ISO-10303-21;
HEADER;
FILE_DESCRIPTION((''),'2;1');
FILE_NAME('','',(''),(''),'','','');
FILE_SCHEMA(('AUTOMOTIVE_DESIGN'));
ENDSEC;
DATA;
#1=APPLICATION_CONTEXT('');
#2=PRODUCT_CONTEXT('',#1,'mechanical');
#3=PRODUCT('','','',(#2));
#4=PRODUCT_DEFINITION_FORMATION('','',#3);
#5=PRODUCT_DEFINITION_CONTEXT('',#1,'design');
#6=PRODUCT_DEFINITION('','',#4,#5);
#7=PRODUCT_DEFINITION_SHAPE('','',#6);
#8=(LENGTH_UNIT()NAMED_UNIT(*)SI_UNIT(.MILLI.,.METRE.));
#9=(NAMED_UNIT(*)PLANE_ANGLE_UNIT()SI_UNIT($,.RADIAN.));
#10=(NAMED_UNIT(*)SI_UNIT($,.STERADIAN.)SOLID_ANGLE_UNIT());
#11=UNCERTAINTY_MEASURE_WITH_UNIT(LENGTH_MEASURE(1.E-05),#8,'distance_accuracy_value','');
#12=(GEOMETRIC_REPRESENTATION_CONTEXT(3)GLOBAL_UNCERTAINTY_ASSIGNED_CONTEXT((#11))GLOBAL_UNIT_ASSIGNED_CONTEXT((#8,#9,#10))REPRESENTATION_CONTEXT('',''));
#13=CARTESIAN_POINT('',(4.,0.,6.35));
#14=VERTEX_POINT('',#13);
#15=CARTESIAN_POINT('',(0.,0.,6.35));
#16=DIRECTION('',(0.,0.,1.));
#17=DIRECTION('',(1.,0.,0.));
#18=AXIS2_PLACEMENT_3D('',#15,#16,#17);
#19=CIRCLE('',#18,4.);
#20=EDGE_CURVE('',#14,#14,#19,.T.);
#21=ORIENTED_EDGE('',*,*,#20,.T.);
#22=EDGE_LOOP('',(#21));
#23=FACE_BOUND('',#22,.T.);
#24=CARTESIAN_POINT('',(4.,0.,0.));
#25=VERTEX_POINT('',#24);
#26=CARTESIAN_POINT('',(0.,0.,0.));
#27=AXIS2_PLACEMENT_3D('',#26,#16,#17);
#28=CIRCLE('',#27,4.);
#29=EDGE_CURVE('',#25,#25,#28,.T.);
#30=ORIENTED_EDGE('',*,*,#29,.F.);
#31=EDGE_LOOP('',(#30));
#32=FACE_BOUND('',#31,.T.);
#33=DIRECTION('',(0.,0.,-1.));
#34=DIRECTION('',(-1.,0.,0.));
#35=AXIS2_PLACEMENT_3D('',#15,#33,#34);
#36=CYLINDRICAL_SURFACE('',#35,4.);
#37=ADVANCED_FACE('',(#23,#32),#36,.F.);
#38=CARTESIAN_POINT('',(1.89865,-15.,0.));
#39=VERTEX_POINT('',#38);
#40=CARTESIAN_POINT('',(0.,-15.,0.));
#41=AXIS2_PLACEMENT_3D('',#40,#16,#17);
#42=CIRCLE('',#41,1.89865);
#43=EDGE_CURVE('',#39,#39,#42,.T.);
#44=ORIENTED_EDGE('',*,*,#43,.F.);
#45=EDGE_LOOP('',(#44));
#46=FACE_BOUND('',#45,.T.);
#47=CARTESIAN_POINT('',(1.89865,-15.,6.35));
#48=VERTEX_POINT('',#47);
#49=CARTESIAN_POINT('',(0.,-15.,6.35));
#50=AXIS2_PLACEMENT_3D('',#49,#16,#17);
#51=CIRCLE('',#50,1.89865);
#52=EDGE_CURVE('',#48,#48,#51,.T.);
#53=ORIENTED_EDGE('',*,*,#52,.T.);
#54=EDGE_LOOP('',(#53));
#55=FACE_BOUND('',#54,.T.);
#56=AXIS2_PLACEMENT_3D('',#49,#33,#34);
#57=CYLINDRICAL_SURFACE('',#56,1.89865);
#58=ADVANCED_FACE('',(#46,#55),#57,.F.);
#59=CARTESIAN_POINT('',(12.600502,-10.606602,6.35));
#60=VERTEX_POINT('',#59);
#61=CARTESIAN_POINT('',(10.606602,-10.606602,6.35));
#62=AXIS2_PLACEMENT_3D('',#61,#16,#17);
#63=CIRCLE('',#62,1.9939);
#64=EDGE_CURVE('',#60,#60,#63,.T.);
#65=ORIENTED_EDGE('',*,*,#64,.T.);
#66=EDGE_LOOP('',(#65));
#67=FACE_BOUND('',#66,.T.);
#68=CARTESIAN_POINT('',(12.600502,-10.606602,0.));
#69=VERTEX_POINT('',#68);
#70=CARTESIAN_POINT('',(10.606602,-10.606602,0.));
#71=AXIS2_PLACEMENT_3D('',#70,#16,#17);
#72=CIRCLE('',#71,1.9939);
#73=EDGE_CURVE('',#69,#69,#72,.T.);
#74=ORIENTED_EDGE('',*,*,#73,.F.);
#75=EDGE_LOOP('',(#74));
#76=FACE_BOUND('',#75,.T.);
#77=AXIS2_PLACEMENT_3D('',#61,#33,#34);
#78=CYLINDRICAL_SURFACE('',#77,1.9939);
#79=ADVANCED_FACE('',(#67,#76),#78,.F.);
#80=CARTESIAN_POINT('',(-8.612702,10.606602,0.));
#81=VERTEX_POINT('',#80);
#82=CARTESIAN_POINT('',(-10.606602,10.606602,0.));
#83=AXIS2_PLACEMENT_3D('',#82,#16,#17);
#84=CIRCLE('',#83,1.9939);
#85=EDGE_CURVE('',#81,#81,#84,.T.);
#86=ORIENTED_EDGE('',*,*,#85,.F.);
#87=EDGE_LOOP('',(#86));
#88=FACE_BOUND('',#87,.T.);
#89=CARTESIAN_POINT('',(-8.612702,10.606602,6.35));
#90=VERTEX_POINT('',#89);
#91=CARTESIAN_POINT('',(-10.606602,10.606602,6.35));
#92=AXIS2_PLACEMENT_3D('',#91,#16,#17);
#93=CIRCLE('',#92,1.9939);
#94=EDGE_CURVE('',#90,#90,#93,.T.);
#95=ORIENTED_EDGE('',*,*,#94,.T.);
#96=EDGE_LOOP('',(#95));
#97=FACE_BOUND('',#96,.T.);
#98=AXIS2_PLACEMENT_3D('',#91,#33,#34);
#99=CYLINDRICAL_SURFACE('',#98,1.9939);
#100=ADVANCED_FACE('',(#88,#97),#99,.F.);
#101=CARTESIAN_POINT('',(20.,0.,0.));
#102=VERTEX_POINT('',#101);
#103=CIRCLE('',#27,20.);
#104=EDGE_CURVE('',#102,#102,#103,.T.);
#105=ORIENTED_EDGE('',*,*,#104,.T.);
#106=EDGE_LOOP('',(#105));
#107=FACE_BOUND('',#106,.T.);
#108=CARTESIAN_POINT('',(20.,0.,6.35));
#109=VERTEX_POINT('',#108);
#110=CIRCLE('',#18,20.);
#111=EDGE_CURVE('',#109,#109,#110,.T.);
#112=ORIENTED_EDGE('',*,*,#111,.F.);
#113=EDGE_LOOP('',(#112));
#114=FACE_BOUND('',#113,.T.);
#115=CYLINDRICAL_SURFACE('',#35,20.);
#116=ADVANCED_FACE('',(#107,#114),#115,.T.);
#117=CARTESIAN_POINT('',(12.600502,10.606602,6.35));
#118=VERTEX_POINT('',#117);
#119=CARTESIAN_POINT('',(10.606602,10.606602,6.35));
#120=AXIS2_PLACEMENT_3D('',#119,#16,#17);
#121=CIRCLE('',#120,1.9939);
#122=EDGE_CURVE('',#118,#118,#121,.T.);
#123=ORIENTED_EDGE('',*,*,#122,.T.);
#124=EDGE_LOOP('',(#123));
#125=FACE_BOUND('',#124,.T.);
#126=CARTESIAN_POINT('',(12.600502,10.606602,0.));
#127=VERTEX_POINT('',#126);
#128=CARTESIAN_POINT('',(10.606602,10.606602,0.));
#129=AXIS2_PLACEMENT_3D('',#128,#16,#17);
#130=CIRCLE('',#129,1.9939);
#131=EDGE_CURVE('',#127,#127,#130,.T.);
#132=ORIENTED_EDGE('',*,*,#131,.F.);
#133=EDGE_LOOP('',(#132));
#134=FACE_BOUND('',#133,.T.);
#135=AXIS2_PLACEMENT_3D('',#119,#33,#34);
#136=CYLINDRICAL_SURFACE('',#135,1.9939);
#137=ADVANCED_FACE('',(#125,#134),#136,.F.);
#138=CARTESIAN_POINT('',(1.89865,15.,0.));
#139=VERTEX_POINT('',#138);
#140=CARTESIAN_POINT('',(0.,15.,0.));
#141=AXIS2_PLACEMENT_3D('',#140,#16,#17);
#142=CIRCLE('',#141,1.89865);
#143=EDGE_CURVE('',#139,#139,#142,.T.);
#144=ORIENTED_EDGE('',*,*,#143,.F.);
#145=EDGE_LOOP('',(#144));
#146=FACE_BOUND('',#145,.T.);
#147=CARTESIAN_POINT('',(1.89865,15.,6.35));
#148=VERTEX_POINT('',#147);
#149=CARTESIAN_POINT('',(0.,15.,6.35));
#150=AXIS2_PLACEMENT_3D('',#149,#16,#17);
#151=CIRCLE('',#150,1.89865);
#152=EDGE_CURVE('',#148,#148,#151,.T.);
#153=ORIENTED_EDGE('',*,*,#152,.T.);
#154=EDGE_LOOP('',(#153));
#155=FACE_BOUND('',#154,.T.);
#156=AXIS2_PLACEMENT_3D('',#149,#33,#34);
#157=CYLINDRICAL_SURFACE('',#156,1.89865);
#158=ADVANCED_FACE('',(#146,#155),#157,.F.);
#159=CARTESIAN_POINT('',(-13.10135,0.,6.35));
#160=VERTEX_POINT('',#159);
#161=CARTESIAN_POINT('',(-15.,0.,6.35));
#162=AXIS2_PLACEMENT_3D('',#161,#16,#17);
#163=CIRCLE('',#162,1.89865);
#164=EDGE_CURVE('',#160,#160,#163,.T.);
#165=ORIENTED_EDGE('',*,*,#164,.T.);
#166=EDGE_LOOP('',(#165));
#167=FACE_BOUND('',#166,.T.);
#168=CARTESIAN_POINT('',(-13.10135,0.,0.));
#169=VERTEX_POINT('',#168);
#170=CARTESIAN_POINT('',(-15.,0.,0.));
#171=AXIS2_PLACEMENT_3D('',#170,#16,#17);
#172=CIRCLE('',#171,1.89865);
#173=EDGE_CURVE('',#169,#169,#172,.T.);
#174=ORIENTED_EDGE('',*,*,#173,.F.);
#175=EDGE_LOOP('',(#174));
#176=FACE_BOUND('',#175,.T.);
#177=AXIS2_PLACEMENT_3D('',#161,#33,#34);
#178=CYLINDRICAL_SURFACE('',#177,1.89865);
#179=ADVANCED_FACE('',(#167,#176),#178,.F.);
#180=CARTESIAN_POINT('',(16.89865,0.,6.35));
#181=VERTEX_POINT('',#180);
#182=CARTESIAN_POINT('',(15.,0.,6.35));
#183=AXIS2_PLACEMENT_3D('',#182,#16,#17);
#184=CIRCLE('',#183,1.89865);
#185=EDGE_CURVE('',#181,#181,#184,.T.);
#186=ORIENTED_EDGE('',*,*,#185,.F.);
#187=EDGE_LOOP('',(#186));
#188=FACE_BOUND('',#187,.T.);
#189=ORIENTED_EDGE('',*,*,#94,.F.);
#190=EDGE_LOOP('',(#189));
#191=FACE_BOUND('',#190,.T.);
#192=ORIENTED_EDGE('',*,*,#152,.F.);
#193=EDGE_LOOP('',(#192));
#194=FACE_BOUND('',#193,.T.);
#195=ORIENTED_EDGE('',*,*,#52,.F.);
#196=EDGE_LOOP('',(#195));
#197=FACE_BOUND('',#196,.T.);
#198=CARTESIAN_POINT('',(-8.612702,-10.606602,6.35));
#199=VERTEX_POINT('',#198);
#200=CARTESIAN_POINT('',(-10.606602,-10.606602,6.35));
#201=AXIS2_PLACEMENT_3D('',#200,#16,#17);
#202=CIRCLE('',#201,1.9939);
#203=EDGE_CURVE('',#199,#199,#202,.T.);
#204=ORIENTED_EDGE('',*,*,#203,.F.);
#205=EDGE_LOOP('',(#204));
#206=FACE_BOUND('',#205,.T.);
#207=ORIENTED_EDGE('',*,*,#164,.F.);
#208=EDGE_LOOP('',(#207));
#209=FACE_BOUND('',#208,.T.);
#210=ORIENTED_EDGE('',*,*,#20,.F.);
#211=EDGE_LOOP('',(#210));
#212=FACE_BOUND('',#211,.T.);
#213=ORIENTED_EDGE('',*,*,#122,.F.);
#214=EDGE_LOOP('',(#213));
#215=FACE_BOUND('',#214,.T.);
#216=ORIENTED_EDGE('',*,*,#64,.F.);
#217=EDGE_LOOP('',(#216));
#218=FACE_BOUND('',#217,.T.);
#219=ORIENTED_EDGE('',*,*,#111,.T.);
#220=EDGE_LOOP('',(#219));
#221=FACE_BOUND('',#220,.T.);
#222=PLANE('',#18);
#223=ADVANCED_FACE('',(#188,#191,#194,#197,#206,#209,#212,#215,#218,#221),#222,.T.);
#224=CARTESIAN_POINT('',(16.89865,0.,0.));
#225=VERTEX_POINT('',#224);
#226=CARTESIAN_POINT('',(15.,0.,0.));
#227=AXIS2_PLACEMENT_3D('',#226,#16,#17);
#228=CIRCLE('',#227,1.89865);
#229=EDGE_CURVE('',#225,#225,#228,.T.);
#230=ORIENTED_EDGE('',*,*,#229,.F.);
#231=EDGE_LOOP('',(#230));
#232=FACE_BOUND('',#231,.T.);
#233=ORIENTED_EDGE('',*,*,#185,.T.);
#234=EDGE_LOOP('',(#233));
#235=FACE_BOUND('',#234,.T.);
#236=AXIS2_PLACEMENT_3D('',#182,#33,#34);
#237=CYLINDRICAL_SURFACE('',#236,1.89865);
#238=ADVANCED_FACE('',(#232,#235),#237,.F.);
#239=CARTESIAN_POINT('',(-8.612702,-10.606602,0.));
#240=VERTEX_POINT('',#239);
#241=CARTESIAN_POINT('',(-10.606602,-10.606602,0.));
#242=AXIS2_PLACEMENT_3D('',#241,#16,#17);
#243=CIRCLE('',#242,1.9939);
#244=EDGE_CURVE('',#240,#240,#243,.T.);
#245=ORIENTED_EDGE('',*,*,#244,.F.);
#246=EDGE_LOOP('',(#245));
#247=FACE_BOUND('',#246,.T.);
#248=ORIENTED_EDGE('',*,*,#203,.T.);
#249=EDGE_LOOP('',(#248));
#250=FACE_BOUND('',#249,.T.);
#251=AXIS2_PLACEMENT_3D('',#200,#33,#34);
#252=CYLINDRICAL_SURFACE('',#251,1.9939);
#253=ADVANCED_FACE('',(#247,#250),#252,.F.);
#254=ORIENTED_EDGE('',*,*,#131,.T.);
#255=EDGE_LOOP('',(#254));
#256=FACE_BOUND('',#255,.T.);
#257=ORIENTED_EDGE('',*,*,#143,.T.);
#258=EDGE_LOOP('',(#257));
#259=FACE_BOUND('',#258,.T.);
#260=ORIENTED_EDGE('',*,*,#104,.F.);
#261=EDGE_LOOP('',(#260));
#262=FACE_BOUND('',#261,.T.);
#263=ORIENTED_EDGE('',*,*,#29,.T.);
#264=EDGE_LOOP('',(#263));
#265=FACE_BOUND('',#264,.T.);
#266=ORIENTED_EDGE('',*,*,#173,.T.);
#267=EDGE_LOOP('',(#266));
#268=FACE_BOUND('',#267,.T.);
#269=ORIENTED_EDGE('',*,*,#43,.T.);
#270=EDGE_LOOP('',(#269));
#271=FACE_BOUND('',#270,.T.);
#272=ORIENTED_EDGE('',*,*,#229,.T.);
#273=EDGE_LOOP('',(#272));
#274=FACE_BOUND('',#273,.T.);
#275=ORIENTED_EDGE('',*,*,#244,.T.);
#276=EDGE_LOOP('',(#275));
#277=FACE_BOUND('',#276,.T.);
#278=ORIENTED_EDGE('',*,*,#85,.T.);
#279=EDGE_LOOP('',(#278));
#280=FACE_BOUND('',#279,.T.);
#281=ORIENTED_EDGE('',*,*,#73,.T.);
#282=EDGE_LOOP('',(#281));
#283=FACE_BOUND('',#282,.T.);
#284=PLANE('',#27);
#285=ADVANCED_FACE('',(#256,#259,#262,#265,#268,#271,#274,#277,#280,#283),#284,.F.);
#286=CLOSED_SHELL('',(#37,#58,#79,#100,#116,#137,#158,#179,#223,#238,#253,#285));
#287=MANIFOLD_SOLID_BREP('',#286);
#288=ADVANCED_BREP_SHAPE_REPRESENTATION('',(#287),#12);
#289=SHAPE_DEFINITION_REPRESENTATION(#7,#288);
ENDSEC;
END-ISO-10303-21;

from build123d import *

# Parameters (mm, degrees)
SKETCH1_R           = 20
SKETCH1_R_2         = 4
SKETCH1_R_3         = 1.89865
SKETCH1_R_4         = 1.9939
BOSS_EXTRUDE1_DEPTH = 6.35


with BuildPart() as part:
    # Sketch1 → Boss-Extrude1 (new body)
    with BuildSketch(Plane.XY):
        Circle(SKETCH1_R)
        Circle(SKETCH1_R_2, mode=Mode.SUBTRACT)
        with Locations((0, 15)):
            Circle(SKETCH1_R_3, mode=Mode.SUBTRACT)
        with Locations((10.606601718, 10.606601718)):
            Circle(SKETCH1_R_4, mode=Mode.SUBTRACT)
        with Locations((15, 0)):
            Circle(SKETCH1_R_3, mode=Mode.SUBTRACT)
        with Locations((10.606601718, -10.606601718)):
            Circle(SKETCH1_R_4, mode=Mode.SUBTRACT)
        with Locations((0, -15)):
            Circle(SKETCH1_R_3, mode=Mode.SUBTRACT)
        with Locations((-10.606601718, -10.606601718)):
            Circle(SKETCH1_R_4, mode=Mode.SUBTRACT)
        with Locations((-15, 0)):
            Circle(SKETCH1_R_3, mode=Mode.SUBTRACT)
        with Locations((-10.606601718, 10.606601718)):
            Circle(SKETCH1_R_4, mode=Mode.SUBTRACT)
    extrude(amount=BOSS_EXTRUDE1_DEPTH)


solid = part.part
